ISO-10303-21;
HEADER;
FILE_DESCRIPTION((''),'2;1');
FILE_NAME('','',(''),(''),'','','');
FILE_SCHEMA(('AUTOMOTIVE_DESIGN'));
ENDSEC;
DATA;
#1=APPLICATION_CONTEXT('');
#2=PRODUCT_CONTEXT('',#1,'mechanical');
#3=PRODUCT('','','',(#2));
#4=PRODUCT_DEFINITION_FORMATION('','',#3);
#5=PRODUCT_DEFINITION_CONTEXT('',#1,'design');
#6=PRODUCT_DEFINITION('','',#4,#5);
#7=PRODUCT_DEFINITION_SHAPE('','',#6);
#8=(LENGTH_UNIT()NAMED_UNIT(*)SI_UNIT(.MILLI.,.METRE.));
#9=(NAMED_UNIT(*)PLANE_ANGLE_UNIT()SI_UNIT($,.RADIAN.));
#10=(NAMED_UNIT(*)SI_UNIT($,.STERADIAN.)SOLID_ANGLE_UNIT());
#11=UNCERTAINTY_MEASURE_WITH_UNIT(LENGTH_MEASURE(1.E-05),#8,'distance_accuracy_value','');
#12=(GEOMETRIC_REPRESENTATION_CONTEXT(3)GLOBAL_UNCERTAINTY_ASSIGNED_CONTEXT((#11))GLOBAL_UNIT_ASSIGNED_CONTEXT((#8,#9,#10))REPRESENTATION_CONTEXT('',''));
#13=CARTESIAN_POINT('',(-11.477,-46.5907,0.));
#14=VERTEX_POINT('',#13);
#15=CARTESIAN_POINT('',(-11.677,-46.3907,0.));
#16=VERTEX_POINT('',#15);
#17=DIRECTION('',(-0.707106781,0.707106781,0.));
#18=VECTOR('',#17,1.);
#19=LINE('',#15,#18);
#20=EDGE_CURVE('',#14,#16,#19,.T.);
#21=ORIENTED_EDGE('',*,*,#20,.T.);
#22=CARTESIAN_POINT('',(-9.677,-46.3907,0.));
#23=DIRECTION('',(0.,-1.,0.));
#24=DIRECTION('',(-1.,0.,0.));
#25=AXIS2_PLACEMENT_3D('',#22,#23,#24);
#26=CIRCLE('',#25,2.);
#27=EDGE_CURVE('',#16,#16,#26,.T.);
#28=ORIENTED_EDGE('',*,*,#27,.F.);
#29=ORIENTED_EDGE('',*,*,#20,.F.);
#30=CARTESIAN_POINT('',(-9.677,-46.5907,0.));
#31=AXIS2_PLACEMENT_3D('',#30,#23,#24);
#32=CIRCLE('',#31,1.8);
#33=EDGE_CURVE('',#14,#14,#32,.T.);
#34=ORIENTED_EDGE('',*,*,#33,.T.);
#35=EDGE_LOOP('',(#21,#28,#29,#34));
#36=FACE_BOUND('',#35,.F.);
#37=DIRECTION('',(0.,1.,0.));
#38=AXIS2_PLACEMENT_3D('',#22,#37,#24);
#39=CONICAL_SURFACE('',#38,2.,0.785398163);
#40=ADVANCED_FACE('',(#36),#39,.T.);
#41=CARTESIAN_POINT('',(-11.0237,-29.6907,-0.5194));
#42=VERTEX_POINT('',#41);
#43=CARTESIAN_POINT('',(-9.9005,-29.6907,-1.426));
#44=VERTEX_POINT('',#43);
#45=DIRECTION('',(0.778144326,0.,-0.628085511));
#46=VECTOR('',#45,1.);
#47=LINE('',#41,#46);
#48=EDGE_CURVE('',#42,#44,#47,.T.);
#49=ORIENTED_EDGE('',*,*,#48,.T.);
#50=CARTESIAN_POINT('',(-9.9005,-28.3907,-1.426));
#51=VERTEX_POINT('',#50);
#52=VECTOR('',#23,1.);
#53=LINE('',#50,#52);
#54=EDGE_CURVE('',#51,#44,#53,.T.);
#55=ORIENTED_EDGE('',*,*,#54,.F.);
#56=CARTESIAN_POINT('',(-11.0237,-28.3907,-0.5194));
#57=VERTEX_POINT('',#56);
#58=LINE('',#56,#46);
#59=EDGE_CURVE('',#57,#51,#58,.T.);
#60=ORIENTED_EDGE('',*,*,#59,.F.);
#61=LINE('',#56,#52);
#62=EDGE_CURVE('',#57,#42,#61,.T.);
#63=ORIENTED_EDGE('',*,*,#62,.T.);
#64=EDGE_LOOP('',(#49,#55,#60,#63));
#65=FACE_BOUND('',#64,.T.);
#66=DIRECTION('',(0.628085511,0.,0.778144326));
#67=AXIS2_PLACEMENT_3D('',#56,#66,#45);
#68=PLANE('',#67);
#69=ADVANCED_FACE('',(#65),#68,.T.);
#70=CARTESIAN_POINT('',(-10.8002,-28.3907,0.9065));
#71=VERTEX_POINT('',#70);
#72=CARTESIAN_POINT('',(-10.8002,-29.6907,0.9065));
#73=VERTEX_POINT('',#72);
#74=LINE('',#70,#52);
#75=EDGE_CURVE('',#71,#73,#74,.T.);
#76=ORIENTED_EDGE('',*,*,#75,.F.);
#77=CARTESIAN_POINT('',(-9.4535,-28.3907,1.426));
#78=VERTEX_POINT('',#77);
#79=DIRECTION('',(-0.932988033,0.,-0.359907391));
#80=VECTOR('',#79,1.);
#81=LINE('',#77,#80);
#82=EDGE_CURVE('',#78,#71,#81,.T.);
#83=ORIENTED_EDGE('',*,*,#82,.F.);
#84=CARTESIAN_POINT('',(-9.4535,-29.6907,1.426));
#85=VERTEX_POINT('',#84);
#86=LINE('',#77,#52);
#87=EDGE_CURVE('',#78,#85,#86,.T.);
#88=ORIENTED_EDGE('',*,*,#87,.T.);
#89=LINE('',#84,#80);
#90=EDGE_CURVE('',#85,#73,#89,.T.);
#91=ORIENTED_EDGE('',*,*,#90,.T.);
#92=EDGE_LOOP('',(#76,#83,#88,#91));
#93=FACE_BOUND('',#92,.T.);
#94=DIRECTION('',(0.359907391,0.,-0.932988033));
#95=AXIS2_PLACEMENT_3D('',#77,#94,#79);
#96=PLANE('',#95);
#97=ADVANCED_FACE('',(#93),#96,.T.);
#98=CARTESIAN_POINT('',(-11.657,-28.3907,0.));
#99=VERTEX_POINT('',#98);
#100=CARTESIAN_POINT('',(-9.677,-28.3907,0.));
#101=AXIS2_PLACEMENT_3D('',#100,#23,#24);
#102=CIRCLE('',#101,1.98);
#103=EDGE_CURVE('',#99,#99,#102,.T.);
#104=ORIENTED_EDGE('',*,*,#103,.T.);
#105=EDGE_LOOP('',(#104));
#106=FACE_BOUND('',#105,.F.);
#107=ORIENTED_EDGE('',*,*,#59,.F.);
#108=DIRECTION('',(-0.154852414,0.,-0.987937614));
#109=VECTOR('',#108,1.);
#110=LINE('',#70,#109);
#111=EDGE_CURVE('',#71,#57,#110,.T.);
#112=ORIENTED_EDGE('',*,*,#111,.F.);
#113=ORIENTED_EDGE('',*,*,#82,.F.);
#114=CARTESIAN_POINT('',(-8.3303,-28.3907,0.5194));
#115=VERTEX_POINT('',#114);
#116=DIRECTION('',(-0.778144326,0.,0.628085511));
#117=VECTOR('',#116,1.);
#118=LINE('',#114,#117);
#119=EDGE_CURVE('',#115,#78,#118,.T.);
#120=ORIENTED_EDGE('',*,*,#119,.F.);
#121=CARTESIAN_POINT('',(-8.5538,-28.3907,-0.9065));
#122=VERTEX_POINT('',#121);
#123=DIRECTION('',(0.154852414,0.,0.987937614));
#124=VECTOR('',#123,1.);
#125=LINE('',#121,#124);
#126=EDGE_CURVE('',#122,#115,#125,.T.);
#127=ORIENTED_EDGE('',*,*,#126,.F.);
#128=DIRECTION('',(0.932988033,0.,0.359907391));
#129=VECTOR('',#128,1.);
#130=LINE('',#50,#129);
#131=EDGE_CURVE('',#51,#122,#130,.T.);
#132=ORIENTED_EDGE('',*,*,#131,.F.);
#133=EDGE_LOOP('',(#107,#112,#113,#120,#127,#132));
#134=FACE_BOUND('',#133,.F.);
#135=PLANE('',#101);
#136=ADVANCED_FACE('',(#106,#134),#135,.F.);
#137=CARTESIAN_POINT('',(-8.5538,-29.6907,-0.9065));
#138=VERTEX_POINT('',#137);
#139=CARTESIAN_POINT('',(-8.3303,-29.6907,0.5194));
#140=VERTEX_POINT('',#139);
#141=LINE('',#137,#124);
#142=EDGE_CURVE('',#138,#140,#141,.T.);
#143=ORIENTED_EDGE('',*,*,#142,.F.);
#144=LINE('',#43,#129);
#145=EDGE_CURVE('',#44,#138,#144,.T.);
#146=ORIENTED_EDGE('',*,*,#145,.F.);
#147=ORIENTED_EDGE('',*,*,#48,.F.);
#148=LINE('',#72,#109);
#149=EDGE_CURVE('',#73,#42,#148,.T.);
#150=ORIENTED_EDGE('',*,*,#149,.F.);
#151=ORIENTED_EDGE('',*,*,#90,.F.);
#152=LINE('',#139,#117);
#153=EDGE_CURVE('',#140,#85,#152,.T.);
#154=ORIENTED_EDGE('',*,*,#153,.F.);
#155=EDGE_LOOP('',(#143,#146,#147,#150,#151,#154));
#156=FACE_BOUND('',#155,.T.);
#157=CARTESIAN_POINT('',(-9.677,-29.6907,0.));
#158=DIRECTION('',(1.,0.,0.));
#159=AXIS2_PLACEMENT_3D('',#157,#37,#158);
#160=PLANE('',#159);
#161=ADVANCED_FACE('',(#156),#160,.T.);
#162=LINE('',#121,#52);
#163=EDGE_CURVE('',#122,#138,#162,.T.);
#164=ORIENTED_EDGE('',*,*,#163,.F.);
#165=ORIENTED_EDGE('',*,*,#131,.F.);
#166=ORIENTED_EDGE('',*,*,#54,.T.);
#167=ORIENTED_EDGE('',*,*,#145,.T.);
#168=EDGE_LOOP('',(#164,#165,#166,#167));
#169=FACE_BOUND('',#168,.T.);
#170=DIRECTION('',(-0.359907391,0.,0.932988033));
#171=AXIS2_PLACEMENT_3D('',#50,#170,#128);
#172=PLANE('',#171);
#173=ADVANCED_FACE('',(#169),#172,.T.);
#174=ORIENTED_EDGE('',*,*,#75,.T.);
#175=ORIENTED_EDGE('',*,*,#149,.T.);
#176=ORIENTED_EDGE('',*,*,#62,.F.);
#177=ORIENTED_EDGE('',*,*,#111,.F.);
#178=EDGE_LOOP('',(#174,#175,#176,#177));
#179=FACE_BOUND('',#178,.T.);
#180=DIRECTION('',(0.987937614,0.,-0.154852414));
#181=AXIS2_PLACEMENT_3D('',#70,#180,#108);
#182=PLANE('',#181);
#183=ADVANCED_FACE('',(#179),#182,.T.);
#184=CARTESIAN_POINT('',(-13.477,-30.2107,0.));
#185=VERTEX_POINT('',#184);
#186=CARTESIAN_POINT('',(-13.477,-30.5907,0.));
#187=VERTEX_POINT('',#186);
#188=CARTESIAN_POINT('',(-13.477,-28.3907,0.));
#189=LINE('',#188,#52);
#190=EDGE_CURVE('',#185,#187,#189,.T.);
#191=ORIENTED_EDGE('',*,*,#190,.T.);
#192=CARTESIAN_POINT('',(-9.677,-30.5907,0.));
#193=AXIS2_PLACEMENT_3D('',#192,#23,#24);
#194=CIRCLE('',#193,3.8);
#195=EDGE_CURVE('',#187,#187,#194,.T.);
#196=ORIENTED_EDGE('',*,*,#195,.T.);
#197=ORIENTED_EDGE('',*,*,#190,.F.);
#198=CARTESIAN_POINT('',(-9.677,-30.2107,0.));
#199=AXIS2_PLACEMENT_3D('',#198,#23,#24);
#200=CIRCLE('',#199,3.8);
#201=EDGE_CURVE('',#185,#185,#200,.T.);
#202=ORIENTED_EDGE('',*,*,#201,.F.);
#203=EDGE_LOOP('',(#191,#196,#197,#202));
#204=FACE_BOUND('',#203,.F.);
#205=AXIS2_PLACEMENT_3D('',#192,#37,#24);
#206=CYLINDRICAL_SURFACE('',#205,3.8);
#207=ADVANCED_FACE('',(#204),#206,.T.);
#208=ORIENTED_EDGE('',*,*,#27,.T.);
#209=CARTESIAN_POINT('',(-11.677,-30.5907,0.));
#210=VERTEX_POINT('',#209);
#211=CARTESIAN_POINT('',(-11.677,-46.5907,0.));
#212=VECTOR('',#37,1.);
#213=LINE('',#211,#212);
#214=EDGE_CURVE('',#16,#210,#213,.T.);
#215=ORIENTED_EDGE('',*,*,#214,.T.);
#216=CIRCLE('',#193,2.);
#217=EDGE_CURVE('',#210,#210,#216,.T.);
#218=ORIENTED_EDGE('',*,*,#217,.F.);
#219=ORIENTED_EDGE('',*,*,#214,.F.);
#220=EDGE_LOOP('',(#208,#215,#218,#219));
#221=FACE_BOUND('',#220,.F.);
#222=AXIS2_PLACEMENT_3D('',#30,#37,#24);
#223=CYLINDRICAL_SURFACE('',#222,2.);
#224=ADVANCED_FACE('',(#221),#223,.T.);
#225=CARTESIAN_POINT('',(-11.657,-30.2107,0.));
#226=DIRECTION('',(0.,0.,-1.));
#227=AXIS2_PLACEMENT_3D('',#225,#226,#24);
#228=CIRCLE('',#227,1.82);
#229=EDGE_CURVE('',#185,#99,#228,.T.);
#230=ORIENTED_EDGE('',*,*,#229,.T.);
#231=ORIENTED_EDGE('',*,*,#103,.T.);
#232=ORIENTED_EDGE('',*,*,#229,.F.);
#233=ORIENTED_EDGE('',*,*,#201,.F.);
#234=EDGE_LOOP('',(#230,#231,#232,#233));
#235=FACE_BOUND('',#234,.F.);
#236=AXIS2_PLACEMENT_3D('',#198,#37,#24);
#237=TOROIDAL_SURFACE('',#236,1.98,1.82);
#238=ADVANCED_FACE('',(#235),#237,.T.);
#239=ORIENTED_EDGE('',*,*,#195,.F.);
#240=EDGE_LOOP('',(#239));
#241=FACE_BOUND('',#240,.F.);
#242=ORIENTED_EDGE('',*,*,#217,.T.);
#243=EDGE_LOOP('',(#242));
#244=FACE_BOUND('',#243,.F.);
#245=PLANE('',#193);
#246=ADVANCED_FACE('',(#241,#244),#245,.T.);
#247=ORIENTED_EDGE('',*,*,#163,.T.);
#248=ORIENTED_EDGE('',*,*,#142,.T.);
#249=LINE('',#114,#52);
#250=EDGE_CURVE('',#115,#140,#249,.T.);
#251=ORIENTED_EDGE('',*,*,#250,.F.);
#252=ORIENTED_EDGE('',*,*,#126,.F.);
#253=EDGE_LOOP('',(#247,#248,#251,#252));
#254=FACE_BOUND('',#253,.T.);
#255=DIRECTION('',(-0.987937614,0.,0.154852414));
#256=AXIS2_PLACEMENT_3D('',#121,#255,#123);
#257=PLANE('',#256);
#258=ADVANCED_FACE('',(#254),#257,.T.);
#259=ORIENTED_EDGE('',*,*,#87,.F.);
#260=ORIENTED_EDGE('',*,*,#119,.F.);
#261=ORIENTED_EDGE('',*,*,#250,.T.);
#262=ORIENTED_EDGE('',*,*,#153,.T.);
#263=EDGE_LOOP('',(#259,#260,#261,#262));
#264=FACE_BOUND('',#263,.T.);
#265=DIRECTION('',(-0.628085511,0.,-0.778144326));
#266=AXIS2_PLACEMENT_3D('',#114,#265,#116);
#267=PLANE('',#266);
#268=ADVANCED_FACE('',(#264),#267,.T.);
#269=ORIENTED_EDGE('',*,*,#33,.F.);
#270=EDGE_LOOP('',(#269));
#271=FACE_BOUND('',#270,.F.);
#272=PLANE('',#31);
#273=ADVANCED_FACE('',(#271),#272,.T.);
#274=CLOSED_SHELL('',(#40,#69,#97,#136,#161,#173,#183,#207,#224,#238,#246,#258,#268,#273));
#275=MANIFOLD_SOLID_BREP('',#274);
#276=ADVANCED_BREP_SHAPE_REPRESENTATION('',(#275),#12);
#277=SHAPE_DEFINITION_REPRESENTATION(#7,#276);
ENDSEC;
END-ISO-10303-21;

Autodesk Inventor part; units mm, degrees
ref_plane "YZ Plane" through (0, 0, 0) normal (1, 0, 0) x (0, 1, 0)
ref_plane "XZ Plane" through (0, 0, 0) normal (0, 1, 0) x (-1, 0, 0)
ref_plane "XY Plane" through (0, 0, 0) normal (0, 0, 1) x (1, 0, 0)
sketch "Sketch1" plane through (0, 0, 0) normal (0, 0, 1) x (1, 0, 0)
  line L0 (-9.677, -30.5907) -> (-13.477, -30.5907)
  line L1 (-9.677, -30.5907) -> (-9.677, -46.5907)
  line L2 (-9.677, -46.5907) -> (-11.677, -46.5907)
  line L3 (-11.677, -46.5907) -> (-11.677, -30.5907)
  line L4 (-9.677, -30.5907) -> (-9.677, -26.5988)
  line L5 (-13.477, -30.5907) -> (-13.477, -30.2107)
  line L6 (-13.477, -30.2107) -> (-13.477, -28.3907)
  line L7 (-13.477, -28.3907) -> (-9.677, -28.3907)
  point P0 (0, 0)
  dimension "d0" = 3.8
  dimension "d2" = 16
  dimension "d3" = 2
  dimension "d18" = 0.38
  dimension "d19" = 2.2
revolve "Revolution1" add sketch "Sketch1" angle 360 about axis through (-9.677, -30.5907, 0) along (0, -1, 0)
chamfer "Chamfer2" distance 0.2 angle 45 1 edges at (-7.677, -46.5907, 0)
thread "Rosca1" size "M4x0.7" class "6g" standard "ANSI Metric M Profile" full length
fillet "Empalme2" radius 1.82 1 edges at (-5.877, -28.3907, 0)
sketch "Boceto2" plane through (-9.677, -28.3907, 0) normal (0, 1, 0) x (1, 0, 0)
  line L0 (1.1232, 0.9065) -> (1.3467, -0.5194)
  line L1 (1.3467, -0.5194) -> (0.2235, -1.426)
  line L2 (0.2235, -1.426) -> (-1.1232, -0.9065)
  line L3 (-1.1232, -0.9065) -> (-1.3467, 0.5194)
  line L4 (-1.3467, 0.5194) -> (-0.2235, 1.426)
  line L5 (-0.2235, 1.426) -> (1.1232, 0.9065)
  point P0 (9.677, 0)
  point P1 (0, 0)
  dimension "d21" = 2.5
extrude "Extrusión1" cut sketch "Boceto2" against normal blind 1.3
properties part number "Tornillo Allen cabeza botón M4x16mm"
